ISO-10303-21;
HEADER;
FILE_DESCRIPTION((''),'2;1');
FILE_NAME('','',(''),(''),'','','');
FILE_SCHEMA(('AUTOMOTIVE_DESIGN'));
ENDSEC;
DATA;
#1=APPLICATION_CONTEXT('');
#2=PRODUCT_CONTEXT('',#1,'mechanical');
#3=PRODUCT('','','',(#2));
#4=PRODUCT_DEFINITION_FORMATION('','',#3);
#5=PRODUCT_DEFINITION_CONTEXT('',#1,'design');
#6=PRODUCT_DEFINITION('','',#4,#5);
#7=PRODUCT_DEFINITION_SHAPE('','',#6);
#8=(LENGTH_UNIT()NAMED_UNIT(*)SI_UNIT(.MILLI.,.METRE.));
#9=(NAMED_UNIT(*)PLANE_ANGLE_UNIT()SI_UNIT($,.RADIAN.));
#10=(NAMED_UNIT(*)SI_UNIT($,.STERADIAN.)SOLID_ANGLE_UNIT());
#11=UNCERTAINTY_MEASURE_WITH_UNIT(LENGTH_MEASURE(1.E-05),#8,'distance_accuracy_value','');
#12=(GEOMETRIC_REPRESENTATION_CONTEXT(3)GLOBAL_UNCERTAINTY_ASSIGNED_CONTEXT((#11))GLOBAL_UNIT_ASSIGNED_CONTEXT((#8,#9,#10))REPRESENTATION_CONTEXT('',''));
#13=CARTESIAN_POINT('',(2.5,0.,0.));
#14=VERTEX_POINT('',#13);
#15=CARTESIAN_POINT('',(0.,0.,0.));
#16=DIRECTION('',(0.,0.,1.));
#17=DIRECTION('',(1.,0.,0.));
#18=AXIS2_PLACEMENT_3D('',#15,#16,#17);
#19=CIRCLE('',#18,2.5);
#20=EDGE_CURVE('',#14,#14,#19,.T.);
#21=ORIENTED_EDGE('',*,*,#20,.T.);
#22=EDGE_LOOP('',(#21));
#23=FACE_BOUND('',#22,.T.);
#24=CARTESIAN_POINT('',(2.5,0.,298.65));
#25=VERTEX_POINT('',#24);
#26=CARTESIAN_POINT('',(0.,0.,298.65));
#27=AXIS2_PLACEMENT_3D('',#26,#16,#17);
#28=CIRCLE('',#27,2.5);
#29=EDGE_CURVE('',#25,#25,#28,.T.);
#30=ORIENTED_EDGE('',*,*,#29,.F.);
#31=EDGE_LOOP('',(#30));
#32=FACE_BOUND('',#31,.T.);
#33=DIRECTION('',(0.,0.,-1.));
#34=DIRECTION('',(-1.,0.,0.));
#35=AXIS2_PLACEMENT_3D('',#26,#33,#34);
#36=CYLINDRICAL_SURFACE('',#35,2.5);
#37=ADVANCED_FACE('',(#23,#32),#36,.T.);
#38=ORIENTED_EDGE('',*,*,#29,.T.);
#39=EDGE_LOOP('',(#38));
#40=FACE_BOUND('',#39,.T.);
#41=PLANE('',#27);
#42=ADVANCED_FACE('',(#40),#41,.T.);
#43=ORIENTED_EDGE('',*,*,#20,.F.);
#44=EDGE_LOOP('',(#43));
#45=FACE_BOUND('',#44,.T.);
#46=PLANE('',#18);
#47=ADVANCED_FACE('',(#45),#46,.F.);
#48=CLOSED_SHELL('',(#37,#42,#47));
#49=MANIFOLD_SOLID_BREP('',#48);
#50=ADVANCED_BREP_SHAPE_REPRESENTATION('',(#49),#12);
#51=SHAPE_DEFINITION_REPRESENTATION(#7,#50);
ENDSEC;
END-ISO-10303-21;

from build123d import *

# Parameters (mm, degrees)
ESQUISSE1_R        = 2.5
BOSS_EXTRU_1_DEPTH = 298.65


with BuildPart() as part:
    # Esquisse1 → Boss.-Extru.1 (new body)
    with BuildSketch(Plane.XY):
        Circle(ESQUISSE1_R)
    extrude(amount=BOSS_EXTRU_1_DEPTH)


solid = part.part
